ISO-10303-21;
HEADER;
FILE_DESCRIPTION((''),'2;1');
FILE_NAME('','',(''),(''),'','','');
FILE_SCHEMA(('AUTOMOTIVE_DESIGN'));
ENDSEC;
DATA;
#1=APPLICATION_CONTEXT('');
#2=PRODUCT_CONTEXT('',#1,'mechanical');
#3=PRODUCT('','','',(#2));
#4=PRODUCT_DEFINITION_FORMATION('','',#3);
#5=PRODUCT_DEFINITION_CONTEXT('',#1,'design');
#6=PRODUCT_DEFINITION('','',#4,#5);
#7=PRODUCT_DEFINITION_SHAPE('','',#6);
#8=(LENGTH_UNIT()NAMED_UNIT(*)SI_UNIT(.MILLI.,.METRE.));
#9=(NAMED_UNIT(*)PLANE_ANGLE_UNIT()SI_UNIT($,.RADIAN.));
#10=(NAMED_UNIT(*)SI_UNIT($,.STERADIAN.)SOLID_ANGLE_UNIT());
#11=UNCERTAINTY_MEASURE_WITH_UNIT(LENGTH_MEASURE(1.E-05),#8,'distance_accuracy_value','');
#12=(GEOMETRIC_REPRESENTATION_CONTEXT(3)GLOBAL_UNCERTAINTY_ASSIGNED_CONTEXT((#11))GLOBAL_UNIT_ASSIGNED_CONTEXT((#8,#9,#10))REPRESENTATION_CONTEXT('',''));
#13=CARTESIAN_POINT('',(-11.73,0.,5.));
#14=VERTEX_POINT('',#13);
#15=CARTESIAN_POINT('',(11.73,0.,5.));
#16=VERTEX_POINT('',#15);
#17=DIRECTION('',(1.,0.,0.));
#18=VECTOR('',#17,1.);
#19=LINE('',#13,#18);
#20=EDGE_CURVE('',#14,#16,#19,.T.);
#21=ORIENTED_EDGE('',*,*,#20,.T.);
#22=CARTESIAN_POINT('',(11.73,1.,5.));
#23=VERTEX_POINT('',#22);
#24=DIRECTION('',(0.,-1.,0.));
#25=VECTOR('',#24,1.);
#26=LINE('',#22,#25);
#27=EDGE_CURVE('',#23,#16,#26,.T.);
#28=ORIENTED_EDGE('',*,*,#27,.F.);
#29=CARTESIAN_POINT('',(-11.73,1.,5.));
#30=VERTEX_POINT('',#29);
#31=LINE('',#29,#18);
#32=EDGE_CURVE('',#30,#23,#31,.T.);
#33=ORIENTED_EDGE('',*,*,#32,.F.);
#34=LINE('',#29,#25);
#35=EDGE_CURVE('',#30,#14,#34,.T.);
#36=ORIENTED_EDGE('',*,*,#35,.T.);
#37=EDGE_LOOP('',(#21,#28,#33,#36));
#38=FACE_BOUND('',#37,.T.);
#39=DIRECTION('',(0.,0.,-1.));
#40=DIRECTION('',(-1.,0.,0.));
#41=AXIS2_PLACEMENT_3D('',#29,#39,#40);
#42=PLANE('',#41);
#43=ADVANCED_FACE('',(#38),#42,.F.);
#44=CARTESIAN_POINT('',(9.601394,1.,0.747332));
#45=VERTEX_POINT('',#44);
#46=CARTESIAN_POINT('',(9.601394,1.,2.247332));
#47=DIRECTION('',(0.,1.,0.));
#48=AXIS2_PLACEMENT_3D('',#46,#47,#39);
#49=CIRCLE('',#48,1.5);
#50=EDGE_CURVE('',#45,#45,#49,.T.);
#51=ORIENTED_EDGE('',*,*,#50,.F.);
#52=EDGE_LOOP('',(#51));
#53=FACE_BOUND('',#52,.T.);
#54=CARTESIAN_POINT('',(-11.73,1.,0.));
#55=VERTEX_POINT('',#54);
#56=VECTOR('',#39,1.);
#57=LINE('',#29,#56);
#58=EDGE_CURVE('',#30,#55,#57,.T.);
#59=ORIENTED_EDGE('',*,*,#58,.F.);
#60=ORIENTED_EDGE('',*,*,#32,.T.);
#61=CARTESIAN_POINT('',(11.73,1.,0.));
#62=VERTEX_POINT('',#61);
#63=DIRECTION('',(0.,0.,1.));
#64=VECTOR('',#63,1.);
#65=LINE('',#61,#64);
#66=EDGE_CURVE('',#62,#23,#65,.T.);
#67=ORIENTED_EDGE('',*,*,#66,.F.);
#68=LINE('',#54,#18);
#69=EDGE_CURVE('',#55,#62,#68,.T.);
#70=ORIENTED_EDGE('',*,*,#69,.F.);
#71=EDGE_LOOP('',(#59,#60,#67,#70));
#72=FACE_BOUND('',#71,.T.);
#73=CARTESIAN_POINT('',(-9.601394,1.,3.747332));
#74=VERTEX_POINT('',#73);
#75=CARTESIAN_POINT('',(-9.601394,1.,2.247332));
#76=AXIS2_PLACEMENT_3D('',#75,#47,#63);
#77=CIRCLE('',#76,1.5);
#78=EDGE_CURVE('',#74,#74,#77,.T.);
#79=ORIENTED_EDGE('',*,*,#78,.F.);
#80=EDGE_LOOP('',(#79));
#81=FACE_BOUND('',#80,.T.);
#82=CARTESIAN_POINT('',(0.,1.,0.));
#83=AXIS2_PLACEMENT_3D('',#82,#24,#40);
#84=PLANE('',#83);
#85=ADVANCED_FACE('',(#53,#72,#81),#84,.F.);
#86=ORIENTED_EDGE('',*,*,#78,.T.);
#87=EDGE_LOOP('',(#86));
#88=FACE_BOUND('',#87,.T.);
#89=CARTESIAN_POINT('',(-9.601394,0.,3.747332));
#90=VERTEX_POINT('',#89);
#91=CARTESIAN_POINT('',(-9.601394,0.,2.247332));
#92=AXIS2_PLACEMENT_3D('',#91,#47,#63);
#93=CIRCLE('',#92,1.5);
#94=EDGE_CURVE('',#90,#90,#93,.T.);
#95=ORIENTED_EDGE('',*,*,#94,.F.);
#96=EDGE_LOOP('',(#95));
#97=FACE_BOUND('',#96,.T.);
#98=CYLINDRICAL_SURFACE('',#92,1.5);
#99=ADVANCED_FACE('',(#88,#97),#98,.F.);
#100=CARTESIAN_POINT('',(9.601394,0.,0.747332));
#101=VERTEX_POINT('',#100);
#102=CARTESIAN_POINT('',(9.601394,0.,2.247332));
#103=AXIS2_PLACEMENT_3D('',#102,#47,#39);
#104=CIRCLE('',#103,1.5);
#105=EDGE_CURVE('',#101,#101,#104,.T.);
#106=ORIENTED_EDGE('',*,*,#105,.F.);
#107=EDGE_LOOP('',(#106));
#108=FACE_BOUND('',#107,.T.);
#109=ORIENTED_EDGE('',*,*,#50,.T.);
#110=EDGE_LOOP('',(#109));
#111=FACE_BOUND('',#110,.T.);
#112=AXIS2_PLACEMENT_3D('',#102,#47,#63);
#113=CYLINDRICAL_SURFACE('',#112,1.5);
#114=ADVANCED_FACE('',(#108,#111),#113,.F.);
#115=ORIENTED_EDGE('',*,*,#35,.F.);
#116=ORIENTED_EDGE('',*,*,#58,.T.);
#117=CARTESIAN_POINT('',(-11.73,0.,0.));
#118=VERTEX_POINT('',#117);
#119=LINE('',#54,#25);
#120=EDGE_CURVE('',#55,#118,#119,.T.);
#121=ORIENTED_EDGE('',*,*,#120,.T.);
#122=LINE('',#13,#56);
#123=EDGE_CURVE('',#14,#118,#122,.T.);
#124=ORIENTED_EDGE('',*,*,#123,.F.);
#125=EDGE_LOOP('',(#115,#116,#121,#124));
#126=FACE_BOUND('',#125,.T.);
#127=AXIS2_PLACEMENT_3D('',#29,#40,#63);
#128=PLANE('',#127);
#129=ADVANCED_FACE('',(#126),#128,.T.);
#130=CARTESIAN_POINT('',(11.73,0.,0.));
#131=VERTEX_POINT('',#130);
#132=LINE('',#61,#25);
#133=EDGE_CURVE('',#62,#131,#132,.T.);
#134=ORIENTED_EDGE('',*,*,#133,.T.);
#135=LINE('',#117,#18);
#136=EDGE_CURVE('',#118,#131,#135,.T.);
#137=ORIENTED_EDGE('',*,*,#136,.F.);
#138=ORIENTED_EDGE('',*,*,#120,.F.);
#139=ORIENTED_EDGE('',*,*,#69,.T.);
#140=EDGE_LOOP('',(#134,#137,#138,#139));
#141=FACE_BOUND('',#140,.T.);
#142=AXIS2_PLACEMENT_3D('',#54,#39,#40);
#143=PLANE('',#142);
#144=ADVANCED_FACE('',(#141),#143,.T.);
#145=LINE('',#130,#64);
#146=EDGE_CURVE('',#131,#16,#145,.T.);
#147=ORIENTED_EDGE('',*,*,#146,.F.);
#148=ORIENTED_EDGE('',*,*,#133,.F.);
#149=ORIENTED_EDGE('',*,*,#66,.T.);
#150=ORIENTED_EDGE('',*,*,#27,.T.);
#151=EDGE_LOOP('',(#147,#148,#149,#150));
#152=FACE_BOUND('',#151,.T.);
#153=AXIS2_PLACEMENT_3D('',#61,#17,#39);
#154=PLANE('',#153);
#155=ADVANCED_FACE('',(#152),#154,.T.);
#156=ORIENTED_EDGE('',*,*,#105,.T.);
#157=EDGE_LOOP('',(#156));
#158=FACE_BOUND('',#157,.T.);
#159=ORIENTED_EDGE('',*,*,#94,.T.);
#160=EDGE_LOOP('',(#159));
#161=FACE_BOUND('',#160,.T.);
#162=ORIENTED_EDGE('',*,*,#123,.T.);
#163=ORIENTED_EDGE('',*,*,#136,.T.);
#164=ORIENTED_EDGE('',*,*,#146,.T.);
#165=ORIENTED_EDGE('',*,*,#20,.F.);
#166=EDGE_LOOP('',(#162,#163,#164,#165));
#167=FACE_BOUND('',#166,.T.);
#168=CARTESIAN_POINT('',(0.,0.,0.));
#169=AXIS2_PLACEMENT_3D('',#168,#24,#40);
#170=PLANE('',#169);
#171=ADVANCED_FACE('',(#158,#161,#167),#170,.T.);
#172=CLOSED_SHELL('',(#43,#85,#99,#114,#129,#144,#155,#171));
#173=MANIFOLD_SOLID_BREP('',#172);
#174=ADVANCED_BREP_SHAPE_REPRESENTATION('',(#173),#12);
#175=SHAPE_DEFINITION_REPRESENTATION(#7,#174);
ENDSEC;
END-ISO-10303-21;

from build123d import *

# Parameters (mm, degrees)
SKETCH2_W           = 23.46
SKETCH2_H           = 5
EXTRUDE_THIN1_DEPTH = 1
SKETCH3_R           = 1.5
CUT_EXTRUDE1_DEPTH  = 13.790344014


with BuildPart() as part:
    # Sketch2 → Extrude-Thin1 (new body)
    with BuildSketch(Plane(origin=(0, 0, 0), x_dir=(1, 0, 0), z_dir=(0, 1, 0))):
        with Locations((0, -2.5)):
            Rectangle(SKETCH2_W, SKETCH2_H)
    extrude(amount=EXTRUDE_THIN1_DEPTH)

    # Sketch3 → Cut-Extrude1 (cut, through all)
    with BuildSketch(Plane(origin=(0, 1, 0), x_dir=(1, 0, 0), z_dir=(0, 1, 0))):
        with Locations(Location((-9.601393593, -2.247331748, 0), (0, 0, 270))):
            Circle(SKETCH3_R)
        with Locations(Location((9.601393593, -2.247331748, 0), (0, 0, 90))):
            Circle(SKETCH3_R)
    extrude(amount=-CUT_EXTRUDE1_DEPTH, mode=Mode.SUBTRACT)


solid = part.part
